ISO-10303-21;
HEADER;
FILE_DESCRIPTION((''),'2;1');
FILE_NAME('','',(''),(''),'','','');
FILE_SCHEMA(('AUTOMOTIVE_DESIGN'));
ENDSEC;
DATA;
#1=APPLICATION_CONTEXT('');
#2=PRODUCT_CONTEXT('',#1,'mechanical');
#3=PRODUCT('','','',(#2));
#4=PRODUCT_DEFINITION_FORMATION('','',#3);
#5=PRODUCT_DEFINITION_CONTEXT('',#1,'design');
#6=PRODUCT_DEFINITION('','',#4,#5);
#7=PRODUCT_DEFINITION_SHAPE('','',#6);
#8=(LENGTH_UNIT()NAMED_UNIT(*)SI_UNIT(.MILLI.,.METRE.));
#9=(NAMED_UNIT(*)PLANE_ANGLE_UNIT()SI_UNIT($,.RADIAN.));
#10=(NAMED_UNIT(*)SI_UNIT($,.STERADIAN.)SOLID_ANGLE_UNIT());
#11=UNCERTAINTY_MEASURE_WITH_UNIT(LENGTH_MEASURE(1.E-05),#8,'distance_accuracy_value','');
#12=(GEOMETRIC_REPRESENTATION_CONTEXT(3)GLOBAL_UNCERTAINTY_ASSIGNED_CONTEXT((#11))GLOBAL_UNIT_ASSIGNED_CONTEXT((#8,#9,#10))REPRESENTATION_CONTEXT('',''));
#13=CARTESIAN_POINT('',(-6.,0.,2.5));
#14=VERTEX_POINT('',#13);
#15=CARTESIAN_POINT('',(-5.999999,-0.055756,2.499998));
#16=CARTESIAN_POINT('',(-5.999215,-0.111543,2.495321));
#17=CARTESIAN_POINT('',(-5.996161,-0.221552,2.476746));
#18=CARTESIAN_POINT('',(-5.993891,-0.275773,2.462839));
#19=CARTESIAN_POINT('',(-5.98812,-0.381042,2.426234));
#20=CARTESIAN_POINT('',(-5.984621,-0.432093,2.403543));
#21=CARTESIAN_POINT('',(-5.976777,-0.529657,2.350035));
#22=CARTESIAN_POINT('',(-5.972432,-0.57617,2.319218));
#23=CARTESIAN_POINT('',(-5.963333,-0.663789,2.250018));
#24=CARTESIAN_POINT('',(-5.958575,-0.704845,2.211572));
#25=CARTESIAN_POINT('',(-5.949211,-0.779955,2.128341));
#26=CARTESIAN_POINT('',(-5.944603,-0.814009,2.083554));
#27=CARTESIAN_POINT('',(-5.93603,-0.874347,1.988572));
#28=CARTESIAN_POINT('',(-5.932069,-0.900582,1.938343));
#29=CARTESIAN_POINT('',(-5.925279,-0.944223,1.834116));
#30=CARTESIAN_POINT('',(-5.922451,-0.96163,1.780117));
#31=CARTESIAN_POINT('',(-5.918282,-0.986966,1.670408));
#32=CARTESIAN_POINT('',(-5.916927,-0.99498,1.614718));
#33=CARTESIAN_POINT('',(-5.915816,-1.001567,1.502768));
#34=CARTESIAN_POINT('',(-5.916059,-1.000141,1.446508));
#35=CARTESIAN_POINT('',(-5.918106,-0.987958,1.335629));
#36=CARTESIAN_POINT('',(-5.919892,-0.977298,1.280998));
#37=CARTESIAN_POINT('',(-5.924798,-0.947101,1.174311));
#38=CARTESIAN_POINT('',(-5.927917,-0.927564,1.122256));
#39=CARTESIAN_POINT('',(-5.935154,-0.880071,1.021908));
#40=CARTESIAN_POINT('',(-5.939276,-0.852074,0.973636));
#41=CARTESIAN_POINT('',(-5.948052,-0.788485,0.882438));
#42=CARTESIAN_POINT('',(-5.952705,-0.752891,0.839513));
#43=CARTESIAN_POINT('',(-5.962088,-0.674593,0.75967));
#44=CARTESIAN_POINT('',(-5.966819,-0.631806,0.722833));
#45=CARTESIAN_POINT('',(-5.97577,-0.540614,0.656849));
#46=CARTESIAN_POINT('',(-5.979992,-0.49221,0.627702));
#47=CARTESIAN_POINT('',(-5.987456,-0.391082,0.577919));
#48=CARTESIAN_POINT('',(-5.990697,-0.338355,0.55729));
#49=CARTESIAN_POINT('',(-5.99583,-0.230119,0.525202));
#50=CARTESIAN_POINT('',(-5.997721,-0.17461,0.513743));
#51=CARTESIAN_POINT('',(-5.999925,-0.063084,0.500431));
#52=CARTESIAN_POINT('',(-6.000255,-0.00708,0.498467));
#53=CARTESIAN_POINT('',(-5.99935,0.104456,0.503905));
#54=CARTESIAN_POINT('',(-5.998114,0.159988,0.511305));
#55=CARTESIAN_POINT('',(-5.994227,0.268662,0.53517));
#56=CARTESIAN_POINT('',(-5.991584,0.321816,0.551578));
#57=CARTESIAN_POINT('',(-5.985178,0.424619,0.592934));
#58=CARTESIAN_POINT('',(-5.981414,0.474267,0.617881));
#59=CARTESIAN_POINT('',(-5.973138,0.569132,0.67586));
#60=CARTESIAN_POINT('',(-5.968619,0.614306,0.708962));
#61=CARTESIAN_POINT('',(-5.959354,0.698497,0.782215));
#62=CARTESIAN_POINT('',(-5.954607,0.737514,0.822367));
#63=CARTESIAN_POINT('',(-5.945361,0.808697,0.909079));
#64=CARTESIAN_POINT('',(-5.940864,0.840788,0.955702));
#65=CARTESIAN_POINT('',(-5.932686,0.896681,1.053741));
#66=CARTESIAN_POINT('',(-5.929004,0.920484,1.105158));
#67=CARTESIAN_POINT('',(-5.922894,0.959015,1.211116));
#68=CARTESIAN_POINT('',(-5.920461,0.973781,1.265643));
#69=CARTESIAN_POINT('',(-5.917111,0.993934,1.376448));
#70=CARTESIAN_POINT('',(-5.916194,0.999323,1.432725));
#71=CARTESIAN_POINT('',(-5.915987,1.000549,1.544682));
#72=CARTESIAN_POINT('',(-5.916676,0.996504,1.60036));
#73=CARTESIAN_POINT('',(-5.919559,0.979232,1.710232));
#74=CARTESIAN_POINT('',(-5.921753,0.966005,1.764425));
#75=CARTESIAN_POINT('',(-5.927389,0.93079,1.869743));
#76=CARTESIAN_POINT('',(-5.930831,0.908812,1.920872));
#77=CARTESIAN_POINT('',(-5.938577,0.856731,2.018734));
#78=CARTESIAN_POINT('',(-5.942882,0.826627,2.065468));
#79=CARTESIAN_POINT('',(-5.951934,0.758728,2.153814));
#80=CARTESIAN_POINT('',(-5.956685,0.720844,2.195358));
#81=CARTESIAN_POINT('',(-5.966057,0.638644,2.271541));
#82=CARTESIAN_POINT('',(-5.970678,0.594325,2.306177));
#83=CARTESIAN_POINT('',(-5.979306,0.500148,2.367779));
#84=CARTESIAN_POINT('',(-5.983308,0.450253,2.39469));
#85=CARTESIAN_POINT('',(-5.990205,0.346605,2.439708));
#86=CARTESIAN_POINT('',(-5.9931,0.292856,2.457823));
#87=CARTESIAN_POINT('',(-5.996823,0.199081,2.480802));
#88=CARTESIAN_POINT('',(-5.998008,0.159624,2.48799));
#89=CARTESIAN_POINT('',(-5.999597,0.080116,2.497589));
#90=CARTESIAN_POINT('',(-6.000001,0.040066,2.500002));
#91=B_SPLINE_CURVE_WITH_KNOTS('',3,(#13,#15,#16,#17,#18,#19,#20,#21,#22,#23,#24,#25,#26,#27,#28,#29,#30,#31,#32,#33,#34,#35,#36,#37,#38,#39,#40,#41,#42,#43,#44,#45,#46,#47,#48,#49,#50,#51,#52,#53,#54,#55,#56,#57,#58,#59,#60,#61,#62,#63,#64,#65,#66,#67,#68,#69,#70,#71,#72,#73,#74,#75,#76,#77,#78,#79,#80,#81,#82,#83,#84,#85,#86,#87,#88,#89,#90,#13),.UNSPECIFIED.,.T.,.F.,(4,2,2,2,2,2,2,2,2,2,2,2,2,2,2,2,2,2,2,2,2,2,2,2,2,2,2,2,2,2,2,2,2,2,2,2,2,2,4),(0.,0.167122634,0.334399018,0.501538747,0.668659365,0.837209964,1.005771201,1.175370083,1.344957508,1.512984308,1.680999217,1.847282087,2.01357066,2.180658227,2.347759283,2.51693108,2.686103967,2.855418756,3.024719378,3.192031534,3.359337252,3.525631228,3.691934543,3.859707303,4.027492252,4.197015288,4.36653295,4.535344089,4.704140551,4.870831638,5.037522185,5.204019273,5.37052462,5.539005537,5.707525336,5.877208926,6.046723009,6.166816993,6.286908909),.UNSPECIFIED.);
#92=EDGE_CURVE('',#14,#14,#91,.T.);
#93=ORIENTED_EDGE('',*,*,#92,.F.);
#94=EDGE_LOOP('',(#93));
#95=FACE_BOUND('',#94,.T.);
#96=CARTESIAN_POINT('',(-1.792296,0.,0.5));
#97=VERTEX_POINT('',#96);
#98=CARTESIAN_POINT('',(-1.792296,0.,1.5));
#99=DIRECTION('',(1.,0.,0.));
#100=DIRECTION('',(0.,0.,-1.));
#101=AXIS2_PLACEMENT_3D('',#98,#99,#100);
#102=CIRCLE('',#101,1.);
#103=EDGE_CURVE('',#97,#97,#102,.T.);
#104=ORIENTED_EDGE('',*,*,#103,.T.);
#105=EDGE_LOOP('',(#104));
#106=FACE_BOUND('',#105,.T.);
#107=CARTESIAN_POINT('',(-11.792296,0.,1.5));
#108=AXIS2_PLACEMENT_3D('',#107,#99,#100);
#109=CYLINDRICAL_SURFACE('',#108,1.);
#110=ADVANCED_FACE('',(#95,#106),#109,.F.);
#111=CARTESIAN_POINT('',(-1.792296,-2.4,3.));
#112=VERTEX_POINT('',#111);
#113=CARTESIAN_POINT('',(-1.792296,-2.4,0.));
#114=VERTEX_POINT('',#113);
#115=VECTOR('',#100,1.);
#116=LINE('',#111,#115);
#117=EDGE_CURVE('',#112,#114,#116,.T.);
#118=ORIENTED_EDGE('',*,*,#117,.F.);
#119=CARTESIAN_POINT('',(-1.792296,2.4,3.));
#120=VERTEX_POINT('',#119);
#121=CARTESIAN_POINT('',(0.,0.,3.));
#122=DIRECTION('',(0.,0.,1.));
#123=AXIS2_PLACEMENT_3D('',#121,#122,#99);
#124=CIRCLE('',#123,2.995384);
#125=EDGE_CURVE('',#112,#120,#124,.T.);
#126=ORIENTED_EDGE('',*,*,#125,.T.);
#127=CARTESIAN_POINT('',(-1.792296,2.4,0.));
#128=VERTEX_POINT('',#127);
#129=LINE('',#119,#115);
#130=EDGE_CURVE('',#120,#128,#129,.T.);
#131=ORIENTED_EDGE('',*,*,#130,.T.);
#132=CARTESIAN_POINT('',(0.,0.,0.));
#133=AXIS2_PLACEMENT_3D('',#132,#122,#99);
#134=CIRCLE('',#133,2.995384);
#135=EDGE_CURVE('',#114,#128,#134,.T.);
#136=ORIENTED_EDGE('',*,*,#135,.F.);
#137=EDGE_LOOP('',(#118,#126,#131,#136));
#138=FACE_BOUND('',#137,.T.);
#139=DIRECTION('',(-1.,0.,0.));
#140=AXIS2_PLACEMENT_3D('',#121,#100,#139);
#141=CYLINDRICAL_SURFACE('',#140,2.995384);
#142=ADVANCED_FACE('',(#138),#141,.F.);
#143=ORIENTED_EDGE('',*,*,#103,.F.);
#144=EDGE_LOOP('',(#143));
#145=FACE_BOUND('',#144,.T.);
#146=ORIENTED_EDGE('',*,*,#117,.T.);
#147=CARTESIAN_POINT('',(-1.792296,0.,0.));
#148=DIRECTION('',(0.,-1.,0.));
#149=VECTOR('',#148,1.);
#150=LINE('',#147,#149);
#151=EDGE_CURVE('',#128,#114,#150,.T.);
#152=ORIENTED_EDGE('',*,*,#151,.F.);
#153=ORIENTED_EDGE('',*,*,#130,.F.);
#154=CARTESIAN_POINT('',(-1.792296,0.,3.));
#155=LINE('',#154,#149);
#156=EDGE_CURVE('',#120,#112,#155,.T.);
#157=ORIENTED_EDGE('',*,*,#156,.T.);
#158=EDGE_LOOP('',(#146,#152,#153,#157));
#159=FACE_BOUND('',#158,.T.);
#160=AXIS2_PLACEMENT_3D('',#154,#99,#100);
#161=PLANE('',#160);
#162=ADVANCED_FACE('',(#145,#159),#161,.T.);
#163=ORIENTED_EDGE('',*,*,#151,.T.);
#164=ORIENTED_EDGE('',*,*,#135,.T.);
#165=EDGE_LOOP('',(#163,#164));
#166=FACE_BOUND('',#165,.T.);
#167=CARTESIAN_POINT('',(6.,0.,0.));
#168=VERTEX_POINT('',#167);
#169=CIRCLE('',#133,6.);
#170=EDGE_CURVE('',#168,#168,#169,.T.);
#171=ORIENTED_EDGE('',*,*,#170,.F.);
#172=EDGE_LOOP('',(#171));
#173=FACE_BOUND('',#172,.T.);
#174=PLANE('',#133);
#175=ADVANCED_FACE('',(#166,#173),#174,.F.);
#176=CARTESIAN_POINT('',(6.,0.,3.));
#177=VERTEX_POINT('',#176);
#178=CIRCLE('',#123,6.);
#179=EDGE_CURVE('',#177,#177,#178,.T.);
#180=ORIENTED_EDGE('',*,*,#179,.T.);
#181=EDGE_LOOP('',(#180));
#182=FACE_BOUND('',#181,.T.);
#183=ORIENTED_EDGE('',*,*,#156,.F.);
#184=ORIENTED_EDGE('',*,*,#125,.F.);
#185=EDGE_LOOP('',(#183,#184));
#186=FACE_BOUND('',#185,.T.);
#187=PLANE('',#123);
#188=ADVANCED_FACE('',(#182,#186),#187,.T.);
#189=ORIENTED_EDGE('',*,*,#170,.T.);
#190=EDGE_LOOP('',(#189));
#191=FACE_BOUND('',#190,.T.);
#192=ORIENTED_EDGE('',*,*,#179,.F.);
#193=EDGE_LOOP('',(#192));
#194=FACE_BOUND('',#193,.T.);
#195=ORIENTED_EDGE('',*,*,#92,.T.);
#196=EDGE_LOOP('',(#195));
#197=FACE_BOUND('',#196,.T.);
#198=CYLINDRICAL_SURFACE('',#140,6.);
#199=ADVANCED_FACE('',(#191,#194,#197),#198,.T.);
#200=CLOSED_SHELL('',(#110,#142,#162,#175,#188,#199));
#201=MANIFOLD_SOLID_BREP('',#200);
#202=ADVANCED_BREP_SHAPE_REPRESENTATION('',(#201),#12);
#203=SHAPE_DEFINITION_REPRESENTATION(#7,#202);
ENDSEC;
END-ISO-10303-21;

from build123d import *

# Parameters (mm, degrees)
ESQUISSE1_R             = 6
BOSS_EXTRU_1_DEPTH      = 3
ESQUISSE3_R             = 1
ENL_V_MAT_EXTRU_1_DEPTH = 10


with BuildPart() as part:
    # Esquisse1 → Boss.-Extru.1 (new body)
    with BuildSketch(Plane.XY):
        Circle(ESQUISSE1_R)
        with BuildLine():
            Line((-1.792296291, -2.4), (-1.792296291, 2.4))
            ThreePointArc((-1.792296291, 2.4), (2.995384115, 0), (-1.792296291, -2.4))
        make_face(mode=Mode.SUBTRACT)
    extrude(amount=BOSS_EXTRU_1_DEPTH)

    # Esquisse3 → Enlèv. mat.-Extru.1 (cut)
    with BuildSketch(Plane(origin=(-1.792296291, 0, 0), x_dir=(0, 0, -1), z_dir=(1, 0, 0))):
        with Locations((-1.5, 0)):
            Circle(ESQUISSE3_R)
    extrude(amount=-ENL_V_MAT_EXTRU_1_DEPTH, mode=Mode.SUBTRACT)


solid = part.part
